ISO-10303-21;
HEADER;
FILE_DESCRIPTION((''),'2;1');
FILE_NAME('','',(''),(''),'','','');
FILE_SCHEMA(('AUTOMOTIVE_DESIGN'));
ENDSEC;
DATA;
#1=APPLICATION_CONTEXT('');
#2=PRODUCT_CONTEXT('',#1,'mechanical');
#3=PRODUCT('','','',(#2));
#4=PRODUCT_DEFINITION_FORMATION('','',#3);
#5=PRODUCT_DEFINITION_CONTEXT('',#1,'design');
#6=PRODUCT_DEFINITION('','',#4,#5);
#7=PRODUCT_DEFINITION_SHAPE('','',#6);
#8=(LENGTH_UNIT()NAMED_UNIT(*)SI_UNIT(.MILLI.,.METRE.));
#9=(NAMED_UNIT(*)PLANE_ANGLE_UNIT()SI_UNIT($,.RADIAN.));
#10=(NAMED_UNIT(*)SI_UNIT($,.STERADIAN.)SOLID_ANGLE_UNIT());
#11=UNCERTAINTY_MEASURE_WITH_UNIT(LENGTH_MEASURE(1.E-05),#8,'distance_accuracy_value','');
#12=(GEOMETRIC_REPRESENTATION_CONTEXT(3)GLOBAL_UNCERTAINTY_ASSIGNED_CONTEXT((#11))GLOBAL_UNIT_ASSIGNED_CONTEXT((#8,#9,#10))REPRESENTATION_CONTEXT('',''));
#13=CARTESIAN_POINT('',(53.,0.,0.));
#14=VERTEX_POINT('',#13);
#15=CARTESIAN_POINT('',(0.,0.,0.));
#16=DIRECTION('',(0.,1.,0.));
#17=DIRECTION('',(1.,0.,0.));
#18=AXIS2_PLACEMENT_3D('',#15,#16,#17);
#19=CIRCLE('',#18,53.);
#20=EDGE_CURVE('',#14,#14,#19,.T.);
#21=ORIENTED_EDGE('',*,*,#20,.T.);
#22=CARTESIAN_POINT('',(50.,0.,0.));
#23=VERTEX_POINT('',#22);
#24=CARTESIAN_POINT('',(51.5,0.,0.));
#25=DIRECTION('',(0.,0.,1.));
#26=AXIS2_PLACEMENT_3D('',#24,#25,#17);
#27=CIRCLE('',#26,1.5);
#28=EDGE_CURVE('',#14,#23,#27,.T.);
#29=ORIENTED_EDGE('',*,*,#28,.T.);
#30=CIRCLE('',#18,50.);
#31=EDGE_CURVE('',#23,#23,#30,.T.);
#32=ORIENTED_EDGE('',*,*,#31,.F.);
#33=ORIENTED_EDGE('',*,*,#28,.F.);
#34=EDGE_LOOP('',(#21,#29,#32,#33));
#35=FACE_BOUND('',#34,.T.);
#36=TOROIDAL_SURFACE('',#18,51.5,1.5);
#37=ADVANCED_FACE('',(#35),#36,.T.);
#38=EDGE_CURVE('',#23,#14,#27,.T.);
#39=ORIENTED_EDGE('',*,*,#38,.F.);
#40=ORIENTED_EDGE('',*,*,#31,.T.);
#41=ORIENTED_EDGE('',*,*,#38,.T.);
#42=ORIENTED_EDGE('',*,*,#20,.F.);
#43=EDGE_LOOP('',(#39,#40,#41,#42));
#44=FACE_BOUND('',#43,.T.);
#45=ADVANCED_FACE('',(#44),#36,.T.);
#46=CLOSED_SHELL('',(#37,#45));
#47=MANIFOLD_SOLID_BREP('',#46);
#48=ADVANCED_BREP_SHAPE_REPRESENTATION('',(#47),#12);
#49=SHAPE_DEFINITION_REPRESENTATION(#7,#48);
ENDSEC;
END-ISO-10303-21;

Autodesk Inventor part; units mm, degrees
ref_plane "YZ Plane" through (0, 0, 0) normal (1, 0, 0) x (0, 1, 0)
ref_plane "XZ Plane" through (0, 0, 0) normal (0, 1, 0) x (-1, 0, 0)
ref_plane "XY Plane" through (0, 0, 0) normal (0, 0, 1) x (1, 0, 0)
sketch "草圖1" plane through (0, 0, 0) normal (0, 0, 1) x (1, 0, 0)
  line L0 (0, 0) -> (50, 0)
  line L1 (50, 0) -> (51.5, 0)
  circle A0 centre (51.5, 0) radius 1.5
  line L2 (0, -2.1) -> (0, 2.1) projected
  line L3 (53, 0) -> (50, 0)
  dimension "d0" = 50
  dimension "d1" = 1.5
revolve "迴轉1" add sketch "草圖1" angle 360 about axis through (0, -10, 0) along (0, 1, 0)
properties part number "O-ring 3mm - 3100"
